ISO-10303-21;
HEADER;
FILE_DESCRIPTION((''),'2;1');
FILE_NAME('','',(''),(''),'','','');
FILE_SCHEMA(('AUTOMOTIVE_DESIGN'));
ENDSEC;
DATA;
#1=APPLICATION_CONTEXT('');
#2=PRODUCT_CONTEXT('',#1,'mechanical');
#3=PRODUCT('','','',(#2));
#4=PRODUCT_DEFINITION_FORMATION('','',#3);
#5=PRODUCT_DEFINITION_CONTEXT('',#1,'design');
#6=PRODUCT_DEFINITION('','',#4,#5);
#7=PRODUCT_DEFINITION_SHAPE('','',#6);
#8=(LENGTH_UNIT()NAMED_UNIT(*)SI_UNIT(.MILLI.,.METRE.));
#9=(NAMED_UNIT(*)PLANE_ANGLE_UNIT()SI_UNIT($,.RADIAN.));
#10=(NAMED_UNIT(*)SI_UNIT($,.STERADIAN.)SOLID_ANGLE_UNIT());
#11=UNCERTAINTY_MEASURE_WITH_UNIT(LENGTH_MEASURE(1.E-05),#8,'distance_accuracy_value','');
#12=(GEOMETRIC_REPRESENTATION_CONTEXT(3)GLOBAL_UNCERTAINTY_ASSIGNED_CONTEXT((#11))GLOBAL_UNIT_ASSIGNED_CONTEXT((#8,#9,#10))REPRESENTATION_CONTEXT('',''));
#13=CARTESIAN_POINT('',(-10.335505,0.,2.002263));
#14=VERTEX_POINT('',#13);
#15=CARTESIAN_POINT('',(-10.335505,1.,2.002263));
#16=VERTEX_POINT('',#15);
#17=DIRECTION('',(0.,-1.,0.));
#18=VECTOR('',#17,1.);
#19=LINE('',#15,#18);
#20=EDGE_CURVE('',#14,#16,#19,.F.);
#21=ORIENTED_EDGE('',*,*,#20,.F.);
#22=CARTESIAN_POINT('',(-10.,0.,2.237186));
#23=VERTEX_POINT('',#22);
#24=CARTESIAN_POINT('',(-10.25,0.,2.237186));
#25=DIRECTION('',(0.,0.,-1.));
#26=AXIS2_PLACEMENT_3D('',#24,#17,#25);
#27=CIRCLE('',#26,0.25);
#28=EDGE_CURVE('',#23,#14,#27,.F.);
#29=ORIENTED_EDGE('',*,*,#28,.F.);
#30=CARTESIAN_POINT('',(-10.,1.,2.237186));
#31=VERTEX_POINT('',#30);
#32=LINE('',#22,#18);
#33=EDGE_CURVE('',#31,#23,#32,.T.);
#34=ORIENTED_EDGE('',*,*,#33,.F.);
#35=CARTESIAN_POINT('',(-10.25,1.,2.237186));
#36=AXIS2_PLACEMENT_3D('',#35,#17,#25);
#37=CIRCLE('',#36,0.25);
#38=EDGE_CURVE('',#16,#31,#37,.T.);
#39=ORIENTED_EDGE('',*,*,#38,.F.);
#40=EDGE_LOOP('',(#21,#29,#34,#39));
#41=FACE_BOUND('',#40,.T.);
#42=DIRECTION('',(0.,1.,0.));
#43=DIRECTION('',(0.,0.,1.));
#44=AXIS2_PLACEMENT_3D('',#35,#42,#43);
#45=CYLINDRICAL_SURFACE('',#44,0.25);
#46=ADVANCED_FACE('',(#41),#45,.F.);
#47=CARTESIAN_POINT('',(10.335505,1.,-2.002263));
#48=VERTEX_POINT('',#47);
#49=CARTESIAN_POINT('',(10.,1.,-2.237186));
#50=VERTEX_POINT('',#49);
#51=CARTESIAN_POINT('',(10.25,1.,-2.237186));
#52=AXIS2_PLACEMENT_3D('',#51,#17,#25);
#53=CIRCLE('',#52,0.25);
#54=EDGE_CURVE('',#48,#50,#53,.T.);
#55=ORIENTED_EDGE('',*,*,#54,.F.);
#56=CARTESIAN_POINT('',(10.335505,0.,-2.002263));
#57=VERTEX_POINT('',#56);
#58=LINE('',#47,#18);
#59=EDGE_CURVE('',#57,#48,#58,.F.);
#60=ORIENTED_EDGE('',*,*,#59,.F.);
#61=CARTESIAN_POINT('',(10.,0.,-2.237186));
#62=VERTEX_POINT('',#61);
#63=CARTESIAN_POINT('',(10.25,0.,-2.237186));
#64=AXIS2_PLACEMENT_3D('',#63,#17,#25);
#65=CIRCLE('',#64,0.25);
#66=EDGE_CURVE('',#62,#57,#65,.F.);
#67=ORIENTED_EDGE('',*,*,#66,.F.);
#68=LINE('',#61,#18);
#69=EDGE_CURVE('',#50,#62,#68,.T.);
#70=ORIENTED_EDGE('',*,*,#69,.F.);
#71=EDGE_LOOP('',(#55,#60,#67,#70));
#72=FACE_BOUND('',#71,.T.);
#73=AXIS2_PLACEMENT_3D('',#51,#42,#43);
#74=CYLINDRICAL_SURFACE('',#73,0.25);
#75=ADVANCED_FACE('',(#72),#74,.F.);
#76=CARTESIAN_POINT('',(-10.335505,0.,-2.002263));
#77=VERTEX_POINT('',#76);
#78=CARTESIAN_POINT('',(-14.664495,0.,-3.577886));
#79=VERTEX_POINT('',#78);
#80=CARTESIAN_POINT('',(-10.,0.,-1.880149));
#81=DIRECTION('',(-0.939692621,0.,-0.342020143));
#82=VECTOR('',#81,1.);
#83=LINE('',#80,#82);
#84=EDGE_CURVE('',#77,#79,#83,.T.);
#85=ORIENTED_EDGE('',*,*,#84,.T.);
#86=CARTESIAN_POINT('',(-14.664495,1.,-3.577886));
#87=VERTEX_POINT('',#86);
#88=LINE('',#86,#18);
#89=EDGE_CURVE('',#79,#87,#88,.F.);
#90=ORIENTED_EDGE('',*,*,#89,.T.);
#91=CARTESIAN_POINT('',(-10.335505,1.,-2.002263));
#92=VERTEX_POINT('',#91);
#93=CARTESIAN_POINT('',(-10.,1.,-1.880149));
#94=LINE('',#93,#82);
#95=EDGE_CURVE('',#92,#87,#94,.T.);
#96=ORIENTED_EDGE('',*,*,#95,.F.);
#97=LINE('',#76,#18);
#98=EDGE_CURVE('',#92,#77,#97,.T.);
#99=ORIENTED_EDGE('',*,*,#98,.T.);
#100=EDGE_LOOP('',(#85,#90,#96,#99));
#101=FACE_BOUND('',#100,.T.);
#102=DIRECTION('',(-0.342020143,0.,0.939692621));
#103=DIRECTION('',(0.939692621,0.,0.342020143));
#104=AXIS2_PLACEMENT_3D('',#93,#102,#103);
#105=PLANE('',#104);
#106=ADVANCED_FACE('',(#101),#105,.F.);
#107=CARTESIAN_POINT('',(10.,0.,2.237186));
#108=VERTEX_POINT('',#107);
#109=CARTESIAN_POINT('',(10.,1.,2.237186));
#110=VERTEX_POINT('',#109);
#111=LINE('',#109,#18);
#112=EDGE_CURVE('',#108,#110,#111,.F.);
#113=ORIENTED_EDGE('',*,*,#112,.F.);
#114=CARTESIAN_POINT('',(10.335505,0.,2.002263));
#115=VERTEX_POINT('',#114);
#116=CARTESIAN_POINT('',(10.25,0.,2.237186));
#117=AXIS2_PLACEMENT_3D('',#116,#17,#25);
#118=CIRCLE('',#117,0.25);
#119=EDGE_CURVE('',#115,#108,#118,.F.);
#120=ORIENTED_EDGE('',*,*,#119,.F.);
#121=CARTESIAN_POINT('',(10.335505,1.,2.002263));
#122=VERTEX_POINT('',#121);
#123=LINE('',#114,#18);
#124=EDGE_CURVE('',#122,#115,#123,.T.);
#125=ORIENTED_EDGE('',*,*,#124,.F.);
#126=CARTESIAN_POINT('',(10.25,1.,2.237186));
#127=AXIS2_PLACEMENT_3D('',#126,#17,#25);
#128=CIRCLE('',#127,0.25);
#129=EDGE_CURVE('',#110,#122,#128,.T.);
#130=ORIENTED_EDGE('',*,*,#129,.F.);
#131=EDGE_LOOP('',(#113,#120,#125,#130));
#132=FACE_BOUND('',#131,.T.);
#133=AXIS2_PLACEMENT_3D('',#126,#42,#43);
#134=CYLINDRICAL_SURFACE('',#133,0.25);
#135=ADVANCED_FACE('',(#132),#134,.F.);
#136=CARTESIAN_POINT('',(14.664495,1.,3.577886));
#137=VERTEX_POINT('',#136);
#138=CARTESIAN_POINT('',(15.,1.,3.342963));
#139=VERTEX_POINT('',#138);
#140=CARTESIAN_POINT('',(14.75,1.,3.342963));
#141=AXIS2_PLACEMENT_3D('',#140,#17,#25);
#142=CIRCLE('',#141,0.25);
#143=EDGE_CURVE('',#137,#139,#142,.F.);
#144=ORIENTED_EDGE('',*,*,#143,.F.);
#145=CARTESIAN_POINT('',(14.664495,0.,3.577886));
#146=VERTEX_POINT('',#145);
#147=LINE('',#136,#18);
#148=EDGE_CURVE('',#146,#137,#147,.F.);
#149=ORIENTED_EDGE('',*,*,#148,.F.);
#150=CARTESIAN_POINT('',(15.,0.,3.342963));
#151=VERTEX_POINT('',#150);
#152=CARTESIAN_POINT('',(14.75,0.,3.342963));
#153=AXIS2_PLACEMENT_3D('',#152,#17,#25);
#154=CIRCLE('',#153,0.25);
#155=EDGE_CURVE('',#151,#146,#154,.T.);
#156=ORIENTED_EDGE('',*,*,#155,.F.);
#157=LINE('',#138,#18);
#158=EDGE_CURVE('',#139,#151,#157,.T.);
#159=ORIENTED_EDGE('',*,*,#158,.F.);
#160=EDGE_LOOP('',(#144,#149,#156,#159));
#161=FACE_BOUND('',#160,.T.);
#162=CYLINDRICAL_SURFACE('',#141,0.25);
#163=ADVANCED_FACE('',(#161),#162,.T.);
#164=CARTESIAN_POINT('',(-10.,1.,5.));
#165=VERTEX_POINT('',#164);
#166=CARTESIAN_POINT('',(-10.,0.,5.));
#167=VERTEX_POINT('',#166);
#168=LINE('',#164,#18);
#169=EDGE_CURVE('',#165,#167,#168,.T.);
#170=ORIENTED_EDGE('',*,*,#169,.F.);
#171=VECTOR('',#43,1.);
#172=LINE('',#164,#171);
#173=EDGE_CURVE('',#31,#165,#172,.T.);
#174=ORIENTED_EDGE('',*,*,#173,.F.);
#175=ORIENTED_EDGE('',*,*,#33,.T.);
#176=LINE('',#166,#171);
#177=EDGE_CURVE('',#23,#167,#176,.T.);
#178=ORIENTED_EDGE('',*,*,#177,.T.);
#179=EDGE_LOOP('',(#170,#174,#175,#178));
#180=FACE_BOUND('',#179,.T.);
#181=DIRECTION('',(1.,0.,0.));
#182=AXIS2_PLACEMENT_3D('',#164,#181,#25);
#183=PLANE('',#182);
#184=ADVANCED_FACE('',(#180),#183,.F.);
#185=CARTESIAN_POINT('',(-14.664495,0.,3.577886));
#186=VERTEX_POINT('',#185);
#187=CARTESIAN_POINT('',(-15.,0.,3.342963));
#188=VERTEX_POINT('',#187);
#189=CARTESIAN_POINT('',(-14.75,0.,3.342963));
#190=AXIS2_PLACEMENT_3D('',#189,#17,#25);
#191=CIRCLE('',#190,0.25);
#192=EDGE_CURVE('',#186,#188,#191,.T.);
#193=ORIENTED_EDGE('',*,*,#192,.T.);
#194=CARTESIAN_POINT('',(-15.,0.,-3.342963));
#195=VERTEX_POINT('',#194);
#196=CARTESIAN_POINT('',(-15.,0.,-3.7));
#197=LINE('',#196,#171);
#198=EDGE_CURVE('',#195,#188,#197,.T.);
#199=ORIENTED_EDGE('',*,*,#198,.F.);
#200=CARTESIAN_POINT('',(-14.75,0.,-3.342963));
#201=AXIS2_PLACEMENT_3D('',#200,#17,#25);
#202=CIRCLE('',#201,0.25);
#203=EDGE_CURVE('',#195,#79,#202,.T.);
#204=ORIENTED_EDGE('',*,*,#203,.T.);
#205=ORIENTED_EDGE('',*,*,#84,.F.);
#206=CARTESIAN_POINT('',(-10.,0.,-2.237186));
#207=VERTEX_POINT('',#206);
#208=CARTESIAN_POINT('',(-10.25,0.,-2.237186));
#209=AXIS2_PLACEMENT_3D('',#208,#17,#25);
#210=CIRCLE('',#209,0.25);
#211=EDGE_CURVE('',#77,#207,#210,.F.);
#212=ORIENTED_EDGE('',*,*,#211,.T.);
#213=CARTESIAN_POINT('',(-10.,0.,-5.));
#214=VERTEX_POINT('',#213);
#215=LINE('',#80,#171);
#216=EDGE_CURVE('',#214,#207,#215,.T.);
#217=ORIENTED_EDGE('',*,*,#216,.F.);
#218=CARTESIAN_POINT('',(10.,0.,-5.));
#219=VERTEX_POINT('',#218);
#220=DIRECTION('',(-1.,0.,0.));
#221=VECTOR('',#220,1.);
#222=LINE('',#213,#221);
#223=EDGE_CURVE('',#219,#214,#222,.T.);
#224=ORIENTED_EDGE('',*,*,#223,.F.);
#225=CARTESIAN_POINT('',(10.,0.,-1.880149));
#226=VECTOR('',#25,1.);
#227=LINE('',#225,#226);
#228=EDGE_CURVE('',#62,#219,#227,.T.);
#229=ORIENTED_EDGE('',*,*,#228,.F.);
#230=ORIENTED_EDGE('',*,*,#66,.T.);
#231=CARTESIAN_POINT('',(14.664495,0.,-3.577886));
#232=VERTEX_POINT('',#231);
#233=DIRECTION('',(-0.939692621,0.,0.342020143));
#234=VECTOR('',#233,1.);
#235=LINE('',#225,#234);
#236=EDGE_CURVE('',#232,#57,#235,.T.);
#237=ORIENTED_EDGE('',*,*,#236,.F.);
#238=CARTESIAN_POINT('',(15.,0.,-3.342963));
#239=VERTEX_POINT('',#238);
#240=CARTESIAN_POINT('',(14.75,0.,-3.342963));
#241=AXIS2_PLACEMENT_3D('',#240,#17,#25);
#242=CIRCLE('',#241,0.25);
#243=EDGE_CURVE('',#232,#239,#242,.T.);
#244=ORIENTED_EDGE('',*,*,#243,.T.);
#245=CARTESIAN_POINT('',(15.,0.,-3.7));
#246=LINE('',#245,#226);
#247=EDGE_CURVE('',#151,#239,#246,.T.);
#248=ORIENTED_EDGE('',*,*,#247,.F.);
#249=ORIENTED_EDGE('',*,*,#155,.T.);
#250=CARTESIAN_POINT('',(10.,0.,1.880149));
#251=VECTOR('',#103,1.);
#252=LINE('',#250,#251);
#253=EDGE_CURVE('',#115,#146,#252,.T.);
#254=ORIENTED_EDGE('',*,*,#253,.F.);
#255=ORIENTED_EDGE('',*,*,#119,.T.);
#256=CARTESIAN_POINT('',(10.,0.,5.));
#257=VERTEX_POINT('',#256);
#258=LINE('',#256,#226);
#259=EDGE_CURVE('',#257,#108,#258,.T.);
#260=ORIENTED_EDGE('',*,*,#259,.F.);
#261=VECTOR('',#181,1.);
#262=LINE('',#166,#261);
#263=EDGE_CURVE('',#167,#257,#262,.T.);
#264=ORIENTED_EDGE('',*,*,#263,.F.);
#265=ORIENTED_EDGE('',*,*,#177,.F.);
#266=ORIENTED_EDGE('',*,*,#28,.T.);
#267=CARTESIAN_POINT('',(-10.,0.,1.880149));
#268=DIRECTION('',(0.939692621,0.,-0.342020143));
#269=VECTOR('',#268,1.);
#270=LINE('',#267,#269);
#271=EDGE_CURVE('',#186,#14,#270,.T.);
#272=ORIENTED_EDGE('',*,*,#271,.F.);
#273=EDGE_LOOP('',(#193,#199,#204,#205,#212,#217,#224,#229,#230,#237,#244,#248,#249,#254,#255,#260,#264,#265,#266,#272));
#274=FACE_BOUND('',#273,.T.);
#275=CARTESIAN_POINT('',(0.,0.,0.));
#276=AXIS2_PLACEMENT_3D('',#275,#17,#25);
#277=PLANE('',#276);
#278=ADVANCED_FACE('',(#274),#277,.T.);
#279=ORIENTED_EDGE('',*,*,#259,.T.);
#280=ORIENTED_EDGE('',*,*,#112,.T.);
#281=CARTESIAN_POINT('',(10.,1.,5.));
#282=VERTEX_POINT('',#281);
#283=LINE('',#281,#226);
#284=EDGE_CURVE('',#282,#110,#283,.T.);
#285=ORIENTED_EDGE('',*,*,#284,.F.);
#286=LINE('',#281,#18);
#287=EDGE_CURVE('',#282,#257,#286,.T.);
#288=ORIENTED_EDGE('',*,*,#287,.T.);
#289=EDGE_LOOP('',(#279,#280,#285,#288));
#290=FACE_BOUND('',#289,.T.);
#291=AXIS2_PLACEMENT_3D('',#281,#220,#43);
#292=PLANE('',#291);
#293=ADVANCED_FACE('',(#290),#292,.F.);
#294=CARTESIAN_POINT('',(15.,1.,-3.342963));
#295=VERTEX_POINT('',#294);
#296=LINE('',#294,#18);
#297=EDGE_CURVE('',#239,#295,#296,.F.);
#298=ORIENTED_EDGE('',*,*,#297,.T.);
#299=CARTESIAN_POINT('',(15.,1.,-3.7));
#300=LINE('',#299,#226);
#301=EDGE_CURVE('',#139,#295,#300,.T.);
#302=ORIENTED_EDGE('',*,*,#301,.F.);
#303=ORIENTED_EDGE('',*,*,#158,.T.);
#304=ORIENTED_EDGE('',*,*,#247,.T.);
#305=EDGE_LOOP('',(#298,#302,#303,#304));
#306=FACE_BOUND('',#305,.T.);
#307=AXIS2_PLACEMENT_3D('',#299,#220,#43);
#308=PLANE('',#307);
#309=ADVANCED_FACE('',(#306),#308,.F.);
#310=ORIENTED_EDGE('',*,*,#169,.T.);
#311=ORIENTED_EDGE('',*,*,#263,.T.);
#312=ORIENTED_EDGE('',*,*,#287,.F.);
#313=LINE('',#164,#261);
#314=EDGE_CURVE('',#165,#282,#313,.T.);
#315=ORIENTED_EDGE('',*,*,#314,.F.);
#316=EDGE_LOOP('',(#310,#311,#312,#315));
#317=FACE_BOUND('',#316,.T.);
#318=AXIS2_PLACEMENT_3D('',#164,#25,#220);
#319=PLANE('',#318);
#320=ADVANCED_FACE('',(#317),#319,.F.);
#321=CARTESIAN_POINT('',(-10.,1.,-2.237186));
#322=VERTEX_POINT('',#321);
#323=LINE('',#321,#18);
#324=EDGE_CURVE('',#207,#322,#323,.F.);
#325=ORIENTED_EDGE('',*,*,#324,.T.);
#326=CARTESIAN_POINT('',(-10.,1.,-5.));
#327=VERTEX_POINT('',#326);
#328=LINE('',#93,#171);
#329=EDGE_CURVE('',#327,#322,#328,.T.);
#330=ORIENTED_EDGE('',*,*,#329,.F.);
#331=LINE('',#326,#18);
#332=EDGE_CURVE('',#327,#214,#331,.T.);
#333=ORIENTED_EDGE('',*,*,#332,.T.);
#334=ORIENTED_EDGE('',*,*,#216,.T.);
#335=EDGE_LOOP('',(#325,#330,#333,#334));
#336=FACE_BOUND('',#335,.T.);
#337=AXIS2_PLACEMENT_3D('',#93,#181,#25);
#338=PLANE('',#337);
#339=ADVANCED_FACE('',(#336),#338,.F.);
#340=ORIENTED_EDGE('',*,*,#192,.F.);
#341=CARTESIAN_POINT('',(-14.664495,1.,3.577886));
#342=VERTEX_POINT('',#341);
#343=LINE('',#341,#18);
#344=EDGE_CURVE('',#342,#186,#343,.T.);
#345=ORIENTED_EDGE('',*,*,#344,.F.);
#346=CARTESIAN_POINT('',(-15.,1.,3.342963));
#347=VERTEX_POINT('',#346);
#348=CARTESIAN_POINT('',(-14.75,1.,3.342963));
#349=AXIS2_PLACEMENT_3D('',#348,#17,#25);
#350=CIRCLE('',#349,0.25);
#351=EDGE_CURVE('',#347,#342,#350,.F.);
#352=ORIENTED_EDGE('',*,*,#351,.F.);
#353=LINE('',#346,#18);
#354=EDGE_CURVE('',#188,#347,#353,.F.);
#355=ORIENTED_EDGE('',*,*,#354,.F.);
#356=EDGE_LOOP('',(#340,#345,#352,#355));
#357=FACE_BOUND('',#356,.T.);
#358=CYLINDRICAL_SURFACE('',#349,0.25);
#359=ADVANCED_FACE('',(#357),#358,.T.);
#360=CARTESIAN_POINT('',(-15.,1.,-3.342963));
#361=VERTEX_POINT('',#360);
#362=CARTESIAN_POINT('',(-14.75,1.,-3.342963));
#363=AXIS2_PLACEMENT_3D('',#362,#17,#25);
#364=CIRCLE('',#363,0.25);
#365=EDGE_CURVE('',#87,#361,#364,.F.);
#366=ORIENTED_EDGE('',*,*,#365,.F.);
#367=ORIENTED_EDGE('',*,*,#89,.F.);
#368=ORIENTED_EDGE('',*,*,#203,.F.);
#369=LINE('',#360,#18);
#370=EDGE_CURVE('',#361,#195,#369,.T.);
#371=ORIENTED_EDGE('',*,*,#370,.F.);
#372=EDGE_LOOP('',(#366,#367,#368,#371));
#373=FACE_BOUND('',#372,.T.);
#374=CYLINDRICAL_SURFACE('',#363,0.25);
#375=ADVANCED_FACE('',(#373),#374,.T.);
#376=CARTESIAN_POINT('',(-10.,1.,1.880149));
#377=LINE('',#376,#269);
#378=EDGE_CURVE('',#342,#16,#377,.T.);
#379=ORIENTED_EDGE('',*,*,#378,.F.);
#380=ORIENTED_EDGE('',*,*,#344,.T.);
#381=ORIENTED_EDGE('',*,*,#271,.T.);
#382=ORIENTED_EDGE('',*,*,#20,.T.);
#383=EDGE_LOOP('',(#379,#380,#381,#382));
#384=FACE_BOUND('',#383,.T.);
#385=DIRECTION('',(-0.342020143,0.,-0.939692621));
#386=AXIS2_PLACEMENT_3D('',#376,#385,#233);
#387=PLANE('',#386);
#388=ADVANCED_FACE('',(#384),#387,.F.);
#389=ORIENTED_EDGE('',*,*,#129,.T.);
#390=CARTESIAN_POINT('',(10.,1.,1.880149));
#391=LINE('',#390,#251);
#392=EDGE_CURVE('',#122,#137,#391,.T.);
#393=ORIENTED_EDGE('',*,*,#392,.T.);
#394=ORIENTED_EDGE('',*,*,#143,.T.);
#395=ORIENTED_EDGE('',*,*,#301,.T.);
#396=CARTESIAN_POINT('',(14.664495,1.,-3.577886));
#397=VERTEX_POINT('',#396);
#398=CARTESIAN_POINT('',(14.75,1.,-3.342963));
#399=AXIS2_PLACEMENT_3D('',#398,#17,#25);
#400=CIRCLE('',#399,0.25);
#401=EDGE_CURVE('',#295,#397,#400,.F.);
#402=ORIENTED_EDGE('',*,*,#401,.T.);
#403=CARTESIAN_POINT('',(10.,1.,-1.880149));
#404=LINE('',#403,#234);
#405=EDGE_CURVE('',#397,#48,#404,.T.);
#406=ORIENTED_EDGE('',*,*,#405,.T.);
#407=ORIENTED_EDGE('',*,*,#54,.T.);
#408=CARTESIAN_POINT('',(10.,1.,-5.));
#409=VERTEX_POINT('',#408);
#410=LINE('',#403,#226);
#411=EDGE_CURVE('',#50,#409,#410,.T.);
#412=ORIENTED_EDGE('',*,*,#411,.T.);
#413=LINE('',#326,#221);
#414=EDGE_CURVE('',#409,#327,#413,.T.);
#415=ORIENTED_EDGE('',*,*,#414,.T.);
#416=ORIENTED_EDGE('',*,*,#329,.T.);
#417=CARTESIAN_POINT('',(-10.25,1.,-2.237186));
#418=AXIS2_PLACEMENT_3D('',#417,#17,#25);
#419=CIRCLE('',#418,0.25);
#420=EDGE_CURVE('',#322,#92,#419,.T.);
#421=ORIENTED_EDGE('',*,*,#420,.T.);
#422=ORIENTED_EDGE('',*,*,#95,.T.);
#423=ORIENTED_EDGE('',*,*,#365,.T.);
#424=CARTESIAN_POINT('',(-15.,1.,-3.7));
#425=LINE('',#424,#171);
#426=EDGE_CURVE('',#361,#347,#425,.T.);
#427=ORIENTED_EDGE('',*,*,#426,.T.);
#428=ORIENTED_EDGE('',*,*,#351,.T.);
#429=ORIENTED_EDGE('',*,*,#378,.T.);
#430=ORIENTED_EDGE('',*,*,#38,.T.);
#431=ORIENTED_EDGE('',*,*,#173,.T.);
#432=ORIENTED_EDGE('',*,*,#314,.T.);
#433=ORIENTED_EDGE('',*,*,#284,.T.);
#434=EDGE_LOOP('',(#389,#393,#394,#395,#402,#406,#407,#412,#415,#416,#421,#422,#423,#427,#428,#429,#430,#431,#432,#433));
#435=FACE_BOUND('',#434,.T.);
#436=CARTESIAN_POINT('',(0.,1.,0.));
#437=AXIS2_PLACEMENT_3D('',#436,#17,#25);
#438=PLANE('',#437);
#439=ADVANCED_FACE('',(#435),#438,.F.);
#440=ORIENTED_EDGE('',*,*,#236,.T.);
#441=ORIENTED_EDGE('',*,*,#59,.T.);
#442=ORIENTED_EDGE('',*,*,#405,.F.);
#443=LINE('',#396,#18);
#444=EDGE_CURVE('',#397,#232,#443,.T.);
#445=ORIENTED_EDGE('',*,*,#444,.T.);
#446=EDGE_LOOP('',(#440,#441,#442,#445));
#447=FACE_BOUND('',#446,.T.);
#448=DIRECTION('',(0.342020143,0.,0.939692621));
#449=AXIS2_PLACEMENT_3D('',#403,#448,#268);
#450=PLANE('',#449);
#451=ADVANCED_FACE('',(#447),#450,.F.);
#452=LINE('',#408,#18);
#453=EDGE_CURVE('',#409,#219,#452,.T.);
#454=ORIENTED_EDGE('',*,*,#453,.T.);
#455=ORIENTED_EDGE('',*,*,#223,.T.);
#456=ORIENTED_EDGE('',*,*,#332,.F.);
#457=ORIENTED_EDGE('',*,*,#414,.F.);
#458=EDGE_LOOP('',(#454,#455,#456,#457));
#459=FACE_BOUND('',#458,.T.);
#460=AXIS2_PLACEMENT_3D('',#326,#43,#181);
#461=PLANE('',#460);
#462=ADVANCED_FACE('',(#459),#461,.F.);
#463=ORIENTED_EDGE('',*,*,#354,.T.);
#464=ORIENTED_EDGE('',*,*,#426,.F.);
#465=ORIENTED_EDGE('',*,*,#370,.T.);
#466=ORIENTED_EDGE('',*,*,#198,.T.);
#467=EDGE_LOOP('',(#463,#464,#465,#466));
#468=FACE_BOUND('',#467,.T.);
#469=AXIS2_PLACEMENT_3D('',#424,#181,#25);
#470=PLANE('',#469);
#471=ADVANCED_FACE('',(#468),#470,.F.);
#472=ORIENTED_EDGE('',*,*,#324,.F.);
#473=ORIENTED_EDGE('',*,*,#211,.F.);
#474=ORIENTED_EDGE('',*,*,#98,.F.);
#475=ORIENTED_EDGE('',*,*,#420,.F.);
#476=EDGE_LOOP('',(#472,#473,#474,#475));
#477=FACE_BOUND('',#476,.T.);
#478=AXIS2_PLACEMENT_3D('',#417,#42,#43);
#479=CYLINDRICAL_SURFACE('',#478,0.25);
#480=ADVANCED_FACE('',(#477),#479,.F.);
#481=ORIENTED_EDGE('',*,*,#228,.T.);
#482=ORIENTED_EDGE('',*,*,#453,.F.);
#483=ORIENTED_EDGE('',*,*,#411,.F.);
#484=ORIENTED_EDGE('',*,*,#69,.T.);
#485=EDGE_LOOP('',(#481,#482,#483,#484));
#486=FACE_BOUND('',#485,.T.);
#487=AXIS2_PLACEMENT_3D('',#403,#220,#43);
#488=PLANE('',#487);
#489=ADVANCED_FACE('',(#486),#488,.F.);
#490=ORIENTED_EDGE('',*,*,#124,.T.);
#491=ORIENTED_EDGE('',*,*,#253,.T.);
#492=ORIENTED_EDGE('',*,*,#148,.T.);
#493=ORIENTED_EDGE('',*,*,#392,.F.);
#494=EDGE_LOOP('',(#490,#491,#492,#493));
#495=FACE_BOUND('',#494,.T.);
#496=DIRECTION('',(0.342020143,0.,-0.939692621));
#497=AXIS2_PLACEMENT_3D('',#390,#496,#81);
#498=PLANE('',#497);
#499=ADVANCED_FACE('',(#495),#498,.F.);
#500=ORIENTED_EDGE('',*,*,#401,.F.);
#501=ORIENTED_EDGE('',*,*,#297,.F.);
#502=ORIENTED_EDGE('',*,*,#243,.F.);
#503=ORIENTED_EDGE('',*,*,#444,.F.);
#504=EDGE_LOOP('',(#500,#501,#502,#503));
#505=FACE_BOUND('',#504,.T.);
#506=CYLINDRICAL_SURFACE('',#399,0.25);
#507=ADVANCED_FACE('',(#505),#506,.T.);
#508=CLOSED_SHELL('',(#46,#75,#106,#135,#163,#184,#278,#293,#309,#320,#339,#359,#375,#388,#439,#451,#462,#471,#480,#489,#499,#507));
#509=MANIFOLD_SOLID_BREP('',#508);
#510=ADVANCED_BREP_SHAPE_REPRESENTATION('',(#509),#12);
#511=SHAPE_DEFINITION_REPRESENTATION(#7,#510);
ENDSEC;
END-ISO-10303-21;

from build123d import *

# Parameters (mm, degrees)
BOSS_EXTRUDE1_DEPTH = 1
FILLET1_R           = 0.25


with BuildPart() as part:
    # Sketch1 → Boss-Extrude1 (new body)
    with BuildSketch(Plane(origin=(0, 0, 0), x_dir=(1, 0, 0), z_dir=(0, 1, 0))):
        Polygon((-10, 1.880148829), (-15, 3.7), (-15, -3.7), (-10, -1.880148829), (-10, -5), (10, -5), (10, -1.880148829), (15, -3.7), (15, 3.7), (10, 1.880148829), (10, 5), (-10, 5), align=None)
    extrude(amount=BOSS_EXTRUDE1_DEPTH)

    # Fillet1
    fillet1_edges = [part.edges().sort_by_distance(p)[0] for p in [
        (10, 0.5, -1.880148829),
        (15, 0.5, -3.7),
        (15, 0.5, 3.7),
        (10, 0.5, 1.880148829),
        (-10, 0.5, 1.880148829),
        (-15, 0.5, 3.7),
        (-15, 0.5, -3.7),
        (-10, 0.5, -1.880148829),
    ]]
    fillet(fillet1_edges, radius=FILLET1_R)


solid = part.part
